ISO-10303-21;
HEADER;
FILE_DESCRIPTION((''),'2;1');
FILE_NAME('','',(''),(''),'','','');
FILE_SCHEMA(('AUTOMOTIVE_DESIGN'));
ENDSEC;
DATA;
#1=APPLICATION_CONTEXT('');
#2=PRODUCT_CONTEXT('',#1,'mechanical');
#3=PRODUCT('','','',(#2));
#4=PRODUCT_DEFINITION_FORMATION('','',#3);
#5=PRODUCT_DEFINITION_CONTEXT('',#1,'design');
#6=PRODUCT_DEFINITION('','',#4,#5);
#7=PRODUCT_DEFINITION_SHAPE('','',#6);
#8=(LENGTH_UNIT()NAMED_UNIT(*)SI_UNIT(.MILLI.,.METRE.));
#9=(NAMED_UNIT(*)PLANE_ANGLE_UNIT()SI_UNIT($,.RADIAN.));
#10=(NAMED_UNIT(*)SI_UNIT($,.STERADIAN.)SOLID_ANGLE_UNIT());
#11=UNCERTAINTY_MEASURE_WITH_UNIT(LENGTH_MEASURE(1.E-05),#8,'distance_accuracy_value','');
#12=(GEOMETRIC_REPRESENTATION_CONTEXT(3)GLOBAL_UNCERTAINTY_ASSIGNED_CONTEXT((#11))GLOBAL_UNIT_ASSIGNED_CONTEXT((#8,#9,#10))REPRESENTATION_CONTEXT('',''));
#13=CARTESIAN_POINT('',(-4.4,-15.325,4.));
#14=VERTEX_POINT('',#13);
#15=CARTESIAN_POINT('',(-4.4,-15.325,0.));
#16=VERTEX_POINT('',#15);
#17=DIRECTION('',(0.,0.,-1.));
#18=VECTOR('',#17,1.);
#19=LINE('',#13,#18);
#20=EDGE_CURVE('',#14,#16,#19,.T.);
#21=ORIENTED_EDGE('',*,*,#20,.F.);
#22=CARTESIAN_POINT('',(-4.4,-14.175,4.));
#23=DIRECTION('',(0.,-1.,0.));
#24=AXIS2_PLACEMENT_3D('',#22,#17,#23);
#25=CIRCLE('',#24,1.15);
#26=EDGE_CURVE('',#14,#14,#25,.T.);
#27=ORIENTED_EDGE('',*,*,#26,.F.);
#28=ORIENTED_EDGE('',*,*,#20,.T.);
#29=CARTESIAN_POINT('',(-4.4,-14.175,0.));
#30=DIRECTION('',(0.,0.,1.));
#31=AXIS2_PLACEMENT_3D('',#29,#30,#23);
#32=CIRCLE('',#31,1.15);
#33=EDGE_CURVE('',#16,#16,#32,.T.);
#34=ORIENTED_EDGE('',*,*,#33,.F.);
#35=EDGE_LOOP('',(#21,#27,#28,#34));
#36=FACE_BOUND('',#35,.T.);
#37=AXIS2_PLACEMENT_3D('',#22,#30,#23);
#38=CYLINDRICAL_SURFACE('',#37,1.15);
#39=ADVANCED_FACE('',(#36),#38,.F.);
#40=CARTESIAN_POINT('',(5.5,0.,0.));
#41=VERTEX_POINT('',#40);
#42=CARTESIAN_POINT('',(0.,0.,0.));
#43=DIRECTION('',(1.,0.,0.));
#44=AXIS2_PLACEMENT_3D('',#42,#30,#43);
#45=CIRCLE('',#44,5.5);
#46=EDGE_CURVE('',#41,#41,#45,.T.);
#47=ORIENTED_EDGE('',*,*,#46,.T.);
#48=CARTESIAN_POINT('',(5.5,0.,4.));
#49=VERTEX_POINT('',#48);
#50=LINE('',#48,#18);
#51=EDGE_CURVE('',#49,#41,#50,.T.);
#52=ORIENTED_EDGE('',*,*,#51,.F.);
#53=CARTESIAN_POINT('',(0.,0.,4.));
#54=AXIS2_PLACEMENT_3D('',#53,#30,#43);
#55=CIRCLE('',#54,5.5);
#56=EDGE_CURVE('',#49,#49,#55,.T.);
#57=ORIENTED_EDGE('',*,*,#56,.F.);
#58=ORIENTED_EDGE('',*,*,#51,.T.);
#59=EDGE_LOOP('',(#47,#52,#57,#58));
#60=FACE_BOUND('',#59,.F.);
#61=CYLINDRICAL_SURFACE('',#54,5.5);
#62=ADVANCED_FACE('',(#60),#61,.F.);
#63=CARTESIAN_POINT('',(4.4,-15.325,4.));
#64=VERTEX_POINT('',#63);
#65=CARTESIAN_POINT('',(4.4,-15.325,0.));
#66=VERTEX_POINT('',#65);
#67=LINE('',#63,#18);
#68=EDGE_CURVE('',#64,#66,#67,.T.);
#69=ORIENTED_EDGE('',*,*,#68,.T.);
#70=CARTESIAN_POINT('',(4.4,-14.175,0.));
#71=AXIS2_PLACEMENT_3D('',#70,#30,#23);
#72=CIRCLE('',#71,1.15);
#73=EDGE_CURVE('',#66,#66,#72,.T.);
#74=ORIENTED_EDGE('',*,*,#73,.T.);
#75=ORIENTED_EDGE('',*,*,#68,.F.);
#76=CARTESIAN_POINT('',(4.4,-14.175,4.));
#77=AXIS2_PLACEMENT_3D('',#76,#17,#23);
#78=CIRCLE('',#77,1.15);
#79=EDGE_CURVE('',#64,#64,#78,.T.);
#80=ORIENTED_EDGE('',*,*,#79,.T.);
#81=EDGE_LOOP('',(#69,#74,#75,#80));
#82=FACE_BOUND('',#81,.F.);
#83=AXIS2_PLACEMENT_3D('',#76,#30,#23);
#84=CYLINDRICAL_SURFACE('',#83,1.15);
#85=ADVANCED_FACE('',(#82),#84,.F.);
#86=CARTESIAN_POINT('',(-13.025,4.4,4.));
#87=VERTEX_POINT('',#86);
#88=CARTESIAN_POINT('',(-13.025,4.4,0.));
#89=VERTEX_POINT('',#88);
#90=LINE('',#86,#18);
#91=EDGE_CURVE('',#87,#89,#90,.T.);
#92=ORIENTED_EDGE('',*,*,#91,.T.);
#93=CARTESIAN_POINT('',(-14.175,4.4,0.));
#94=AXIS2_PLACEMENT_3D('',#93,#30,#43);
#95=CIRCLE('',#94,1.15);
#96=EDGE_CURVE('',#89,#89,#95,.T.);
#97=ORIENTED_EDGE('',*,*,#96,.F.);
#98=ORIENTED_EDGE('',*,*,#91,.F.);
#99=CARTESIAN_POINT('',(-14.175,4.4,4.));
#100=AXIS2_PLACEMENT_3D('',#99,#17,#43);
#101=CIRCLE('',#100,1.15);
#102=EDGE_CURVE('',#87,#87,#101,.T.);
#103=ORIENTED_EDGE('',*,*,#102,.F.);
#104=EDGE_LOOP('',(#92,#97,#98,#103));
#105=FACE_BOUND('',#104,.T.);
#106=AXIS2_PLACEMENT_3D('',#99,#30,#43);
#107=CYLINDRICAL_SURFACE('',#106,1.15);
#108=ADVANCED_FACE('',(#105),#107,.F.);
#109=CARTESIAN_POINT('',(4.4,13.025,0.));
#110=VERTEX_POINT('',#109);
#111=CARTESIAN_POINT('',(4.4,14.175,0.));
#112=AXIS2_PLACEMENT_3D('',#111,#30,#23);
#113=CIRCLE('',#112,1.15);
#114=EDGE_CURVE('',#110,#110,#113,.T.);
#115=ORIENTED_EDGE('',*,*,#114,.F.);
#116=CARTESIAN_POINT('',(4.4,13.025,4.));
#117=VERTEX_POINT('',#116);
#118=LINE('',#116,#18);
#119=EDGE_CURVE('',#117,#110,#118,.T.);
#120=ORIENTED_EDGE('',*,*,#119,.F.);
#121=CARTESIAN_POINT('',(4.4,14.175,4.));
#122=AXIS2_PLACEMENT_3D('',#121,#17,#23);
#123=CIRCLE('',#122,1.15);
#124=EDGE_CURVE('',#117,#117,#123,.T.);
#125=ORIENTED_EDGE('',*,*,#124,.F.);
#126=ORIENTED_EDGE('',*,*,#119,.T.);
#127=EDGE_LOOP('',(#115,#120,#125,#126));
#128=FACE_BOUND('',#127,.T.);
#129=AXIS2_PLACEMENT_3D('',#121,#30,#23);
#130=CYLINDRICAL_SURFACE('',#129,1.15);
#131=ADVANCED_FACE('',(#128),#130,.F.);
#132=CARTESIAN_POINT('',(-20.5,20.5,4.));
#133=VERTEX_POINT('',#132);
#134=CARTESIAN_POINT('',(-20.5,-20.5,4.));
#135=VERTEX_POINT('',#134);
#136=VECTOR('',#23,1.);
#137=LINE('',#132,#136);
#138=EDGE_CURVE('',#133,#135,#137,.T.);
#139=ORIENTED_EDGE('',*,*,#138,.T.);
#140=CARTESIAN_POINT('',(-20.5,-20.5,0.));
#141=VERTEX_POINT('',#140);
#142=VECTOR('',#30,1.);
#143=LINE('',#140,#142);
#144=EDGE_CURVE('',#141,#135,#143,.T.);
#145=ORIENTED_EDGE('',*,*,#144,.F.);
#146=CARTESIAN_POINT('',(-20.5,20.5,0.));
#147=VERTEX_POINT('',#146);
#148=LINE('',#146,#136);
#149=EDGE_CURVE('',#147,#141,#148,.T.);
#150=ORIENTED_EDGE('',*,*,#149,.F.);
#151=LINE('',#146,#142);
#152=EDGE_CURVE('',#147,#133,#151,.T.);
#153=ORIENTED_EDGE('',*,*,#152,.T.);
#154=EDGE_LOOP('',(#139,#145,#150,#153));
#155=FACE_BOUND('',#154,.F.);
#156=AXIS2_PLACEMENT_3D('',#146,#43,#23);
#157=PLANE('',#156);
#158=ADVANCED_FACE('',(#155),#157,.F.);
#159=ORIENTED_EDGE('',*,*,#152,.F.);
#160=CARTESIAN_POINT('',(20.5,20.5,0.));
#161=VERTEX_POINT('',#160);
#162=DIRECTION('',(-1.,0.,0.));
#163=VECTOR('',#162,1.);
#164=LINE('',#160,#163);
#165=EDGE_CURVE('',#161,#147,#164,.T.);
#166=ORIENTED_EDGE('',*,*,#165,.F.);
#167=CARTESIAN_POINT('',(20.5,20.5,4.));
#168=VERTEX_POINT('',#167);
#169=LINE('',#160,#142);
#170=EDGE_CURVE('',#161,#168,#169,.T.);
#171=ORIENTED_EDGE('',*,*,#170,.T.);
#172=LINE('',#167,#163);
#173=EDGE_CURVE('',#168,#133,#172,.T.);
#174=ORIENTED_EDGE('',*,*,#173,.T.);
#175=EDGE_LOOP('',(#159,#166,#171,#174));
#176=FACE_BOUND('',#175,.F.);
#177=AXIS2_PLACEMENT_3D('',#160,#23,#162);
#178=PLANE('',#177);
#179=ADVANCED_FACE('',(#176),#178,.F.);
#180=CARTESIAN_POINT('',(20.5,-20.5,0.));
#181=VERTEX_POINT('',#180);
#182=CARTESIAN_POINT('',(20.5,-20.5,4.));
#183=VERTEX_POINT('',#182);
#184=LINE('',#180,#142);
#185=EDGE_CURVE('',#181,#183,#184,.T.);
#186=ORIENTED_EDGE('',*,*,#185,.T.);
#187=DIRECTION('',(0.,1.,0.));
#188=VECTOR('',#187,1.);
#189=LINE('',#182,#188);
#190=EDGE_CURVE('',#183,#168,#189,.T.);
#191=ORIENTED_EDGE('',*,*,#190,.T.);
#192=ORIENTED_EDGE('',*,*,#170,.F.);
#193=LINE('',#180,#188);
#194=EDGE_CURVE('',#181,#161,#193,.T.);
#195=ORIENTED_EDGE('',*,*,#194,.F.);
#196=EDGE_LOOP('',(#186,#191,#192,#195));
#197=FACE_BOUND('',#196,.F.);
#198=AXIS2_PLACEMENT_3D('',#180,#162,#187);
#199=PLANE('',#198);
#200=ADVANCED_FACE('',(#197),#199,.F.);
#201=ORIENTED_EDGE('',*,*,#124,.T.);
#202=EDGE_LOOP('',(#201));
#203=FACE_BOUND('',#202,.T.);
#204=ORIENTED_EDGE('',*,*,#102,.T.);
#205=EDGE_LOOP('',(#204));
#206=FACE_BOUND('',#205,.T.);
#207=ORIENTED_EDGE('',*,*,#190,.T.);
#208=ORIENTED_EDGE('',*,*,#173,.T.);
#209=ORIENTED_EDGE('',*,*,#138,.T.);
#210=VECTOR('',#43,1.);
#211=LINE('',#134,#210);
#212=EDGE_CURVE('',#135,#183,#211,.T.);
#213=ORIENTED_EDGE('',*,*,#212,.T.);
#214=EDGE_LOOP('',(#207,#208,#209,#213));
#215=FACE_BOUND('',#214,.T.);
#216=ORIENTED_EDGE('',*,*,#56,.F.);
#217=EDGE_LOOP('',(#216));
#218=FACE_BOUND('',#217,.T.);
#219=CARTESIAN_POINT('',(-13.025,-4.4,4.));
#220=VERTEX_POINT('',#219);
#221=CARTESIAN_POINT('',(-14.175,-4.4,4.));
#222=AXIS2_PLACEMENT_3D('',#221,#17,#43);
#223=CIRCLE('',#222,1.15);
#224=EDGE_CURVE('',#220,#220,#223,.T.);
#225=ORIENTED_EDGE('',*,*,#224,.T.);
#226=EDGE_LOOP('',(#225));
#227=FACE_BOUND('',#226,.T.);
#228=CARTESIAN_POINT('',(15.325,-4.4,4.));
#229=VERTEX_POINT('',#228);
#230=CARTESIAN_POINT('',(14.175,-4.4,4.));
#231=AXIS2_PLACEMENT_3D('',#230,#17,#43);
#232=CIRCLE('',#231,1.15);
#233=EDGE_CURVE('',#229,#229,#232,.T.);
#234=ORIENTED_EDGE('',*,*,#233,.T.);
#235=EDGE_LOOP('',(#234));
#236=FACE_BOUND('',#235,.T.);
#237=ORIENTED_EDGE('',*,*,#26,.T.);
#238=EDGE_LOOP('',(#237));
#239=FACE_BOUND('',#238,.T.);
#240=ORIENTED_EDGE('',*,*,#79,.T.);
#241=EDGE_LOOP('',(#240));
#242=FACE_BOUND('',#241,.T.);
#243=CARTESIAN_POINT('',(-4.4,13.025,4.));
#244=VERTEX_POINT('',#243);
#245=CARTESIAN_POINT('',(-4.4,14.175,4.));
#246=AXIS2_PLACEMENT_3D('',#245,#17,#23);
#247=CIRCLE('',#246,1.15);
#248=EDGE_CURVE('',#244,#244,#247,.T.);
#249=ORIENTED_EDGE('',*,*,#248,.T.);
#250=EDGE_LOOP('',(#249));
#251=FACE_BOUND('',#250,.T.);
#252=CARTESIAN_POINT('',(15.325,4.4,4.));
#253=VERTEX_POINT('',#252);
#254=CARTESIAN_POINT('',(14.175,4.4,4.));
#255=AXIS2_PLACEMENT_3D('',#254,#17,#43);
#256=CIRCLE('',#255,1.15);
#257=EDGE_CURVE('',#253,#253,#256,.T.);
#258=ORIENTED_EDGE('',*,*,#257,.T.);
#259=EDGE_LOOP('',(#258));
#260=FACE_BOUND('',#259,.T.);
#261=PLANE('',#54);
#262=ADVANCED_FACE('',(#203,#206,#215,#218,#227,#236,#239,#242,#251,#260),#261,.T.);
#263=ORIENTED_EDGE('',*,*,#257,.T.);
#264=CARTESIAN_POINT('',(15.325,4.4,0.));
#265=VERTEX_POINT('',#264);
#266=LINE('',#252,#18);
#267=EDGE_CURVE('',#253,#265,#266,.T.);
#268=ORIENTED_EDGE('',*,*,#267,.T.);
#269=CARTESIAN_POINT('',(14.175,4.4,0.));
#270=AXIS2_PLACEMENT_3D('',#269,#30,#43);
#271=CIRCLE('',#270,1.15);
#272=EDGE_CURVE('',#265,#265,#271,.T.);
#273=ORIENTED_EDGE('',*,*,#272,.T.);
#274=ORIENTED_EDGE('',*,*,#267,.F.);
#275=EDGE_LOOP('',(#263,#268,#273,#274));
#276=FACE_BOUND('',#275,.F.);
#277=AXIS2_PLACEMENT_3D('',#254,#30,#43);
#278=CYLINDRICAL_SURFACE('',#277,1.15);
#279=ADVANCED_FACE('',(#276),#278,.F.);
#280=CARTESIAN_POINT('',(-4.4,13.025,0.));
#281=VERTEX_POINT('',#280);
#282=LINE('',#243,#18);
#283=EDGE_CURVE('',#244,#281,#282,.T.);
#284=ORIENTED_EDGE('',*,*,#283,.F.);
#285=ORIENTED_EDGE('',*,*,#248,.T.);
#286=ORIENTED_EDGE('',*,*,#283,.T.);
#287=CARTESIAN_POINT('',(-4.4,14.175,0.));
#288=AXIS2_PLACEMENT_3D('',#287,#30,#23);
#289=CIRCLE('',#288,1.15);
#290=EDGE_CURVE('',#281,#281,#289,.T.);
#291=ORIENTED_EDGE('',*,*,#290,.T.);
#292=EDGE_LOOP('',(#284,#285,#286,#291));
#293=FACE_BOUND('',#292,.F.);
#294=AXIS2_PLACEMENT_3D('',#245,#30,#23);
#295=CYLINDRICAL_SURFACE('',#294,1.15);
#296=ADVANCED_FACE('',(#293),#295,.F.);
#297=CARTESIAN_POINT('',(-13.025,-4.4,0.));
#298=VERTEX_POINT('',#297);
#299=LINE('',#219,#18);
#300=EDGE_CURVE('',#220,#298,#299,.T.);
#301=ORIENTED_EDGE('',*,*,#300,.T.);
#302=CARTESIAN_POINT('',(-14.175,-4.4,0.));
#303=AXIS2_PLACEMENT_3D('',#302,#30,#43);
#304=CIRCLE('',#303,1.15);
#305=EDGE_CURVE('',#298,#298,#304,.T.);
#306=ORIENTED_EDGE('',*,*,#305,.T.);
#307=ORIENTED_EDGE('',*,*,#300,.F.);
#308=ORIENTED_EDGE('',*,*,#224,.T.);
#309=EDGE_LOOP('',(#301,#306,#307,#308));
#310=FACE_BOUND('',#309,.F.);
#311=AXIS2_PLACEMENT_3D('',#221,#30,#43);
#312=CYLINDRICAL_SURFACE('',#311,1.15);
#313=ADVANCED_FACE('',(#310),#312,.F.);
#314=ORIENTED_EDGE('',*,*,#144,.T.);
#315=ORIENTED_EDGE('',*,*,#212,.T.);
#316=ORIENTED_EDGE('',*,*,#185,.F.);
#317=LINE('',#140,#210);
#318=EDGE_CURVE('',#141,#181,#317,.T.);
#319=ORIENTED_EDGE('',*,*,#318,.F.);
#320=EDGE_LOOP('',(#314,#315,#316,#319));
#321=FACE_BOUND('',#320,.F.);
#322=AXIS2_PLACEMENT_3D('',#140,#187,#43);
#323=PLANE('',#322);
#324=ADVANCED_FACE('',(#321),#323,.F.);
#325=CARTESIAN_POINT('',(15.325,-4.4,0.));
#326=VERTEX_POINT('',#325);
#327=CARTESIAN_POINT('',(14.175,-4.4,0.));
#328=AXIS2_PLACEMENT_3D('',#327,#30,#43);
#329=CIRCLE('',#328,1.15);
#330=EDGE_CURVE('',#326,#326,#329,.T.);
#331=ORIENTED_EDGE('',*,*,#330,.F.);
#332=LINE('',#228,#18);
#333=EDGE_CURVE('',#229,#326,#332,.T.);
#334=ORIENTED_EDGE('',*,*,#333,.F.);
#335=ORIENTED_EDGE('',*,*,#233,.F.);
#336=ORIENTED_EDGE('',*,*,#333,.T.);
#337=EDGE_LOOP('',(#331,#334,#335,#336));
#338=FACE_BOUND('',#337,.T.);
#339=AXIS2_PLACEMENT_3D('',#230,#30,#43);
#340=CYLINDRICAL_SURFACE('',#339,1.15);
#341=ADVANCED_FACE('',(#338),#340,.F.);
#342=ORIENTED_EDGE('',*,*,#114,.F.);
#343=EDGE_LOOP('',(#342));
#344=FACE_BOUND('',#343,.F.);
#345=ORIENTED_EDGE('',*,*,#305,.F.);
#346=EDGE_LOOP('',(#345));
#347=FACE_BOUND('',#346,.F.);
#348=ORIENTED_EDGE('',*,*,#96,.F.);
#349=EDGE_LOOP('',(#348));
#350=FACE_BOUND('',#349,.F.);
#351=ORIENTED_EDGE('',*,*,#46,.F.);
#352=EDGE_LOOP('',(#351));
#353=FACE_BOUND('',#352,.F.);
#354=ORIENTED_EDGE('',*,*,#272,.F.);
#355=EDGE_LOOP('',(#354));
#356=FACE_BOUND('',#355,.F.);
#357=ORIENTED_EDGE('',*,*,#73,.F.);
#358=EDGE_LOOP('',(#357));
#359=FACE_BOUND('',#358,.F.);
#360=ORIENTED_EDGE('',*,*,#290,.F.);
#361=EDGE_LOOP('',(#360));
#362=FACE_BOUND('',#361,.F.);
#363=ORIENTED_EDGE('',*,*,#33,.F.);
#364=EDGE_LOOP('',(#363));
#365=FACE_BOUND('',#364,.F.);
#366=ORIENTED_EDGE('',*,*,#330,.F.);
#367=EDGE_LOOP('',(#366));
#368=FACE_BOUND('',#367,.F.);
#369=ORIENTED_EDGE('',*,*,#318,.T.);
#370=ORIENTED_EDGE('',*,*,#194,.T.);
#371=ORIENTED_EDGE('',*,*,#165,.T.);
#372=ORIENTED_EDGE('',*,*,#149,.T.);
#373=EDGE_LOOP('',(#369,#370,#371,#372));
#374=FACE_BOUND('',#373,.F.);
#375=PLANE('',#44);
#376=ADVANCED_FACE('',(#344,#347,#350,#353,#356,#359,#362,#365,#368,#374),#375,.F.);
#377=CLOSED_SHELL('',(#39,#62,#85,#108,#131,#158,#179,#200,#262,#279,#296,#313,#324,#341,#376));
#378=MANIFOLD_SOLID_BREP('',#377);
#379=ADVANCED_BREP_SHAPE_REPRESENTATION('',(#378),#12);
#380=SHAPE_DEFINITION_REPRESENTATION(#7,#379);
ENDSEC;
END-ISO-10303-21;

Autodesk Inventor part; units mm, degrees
ref_plane "YZ Plane" through (0, 0, 0) normal (1, 0, 0) x (0, 1, 0)
ref_plane "XZ Plane" through (0, 0, 0) normal (0, 1, 0) x (-1, 0, 0)
ref_plane "XY Plane" through (0, 0, 0) normal (0, 0, 1) x (1, 0, 0)
sketch "Sketch1" plane through (0, 0, 0) normal (0, 0, 1) x (1, 0, 0)
  line L0 (-20.5, -20.5) -> (20.5, -20.5)
  line L1 (20.5, -20.5) -> (20.5, 20.5)
  line L2 (20.5, 20.5) -> (-20.5, 20.5)
  line L3 (-20.5, 20.5) -> (-20.5, -20.5)
  line L4 (-20.5, -20.5) -> (20.5, 20.5) construction
  line L5 (20.5, -20.5) -> (-20.5, 20.5) construction
  point P0 (0, 0)
  dimension "d0" = 41
  dimension "d1" = 41
extrude "Extrusion1" add sketch "Sketch1" along normal blind 4
sketch "Sketch2" plane through (0, 0, 4) normal (0, 0, 1) x (1, 0, 0)
  circle A0 centre (0, 0) radius 5.5
  dimension "d4" = 11
extrude "Extrusion2" cut sketch "Sketch2" against normal blind 4
sketch "Sketch3" plane through (0, 0, 4) normal (0, 0, 1) x (1, 0, 0)
  circle A0 centre (0, 0) radius 5.5 projected
  circle A1 centre (0, 0) radius 6.45
  circle A2 centre (-18.375, 0) radius 2.125
  circle A3 centre (18.375, 0) radius 2.125
  line L0 (-18.721, 2.0966) -> (-4.7075, 4.4093)
  line L1 (-18.7594, -2.0899) -> (-4.3799, -4.7348)
  line L2 (18.7217, 2.0965) -> (4.702, 4.4152)
  line L3 (18.7594, -2.0899) -> (4.3799, -4.7348)
  line L4 (0, 0) -> (18.375, 0)
  line L5 (0, 0) -> (-18.375, 0)
  circle A4 centre (-14.175, -4.4) radius 1.15
  circle A5 centre (14.175, 4.4) radius 1.15
  dimension "d7" = 12.9
  dimension "d8" = 4.25
  dimension "d9" = 4.25
  dimension "d10" = 9.15
  dimension "d11" = 9.15
  dimension "d12" = 41
  dimension "d13" = 18.375
  dimension "d14" = 2.3
  dimension "d15" = 4.4
  dimension "d16" = 4.2
  dimension "d17" = 2.3
  dimension "d18" = 4.4
  dimension "d19" = 4.2
extrude "Extrusion3" cut sketch "Sketch3" against normal blind 4 contours A4 | A5
mirror "Mirror1" about plane through (0, 0, 0) normal (0, 1, 0) of "Extrusion3"
pattern_circular "Circular Pattern1" count 4 over 360 about axis through (0, 0, 4) along (0, 0, -1) of "Extrusion3", "Mirror1"
properties part number "servo_attachment"
